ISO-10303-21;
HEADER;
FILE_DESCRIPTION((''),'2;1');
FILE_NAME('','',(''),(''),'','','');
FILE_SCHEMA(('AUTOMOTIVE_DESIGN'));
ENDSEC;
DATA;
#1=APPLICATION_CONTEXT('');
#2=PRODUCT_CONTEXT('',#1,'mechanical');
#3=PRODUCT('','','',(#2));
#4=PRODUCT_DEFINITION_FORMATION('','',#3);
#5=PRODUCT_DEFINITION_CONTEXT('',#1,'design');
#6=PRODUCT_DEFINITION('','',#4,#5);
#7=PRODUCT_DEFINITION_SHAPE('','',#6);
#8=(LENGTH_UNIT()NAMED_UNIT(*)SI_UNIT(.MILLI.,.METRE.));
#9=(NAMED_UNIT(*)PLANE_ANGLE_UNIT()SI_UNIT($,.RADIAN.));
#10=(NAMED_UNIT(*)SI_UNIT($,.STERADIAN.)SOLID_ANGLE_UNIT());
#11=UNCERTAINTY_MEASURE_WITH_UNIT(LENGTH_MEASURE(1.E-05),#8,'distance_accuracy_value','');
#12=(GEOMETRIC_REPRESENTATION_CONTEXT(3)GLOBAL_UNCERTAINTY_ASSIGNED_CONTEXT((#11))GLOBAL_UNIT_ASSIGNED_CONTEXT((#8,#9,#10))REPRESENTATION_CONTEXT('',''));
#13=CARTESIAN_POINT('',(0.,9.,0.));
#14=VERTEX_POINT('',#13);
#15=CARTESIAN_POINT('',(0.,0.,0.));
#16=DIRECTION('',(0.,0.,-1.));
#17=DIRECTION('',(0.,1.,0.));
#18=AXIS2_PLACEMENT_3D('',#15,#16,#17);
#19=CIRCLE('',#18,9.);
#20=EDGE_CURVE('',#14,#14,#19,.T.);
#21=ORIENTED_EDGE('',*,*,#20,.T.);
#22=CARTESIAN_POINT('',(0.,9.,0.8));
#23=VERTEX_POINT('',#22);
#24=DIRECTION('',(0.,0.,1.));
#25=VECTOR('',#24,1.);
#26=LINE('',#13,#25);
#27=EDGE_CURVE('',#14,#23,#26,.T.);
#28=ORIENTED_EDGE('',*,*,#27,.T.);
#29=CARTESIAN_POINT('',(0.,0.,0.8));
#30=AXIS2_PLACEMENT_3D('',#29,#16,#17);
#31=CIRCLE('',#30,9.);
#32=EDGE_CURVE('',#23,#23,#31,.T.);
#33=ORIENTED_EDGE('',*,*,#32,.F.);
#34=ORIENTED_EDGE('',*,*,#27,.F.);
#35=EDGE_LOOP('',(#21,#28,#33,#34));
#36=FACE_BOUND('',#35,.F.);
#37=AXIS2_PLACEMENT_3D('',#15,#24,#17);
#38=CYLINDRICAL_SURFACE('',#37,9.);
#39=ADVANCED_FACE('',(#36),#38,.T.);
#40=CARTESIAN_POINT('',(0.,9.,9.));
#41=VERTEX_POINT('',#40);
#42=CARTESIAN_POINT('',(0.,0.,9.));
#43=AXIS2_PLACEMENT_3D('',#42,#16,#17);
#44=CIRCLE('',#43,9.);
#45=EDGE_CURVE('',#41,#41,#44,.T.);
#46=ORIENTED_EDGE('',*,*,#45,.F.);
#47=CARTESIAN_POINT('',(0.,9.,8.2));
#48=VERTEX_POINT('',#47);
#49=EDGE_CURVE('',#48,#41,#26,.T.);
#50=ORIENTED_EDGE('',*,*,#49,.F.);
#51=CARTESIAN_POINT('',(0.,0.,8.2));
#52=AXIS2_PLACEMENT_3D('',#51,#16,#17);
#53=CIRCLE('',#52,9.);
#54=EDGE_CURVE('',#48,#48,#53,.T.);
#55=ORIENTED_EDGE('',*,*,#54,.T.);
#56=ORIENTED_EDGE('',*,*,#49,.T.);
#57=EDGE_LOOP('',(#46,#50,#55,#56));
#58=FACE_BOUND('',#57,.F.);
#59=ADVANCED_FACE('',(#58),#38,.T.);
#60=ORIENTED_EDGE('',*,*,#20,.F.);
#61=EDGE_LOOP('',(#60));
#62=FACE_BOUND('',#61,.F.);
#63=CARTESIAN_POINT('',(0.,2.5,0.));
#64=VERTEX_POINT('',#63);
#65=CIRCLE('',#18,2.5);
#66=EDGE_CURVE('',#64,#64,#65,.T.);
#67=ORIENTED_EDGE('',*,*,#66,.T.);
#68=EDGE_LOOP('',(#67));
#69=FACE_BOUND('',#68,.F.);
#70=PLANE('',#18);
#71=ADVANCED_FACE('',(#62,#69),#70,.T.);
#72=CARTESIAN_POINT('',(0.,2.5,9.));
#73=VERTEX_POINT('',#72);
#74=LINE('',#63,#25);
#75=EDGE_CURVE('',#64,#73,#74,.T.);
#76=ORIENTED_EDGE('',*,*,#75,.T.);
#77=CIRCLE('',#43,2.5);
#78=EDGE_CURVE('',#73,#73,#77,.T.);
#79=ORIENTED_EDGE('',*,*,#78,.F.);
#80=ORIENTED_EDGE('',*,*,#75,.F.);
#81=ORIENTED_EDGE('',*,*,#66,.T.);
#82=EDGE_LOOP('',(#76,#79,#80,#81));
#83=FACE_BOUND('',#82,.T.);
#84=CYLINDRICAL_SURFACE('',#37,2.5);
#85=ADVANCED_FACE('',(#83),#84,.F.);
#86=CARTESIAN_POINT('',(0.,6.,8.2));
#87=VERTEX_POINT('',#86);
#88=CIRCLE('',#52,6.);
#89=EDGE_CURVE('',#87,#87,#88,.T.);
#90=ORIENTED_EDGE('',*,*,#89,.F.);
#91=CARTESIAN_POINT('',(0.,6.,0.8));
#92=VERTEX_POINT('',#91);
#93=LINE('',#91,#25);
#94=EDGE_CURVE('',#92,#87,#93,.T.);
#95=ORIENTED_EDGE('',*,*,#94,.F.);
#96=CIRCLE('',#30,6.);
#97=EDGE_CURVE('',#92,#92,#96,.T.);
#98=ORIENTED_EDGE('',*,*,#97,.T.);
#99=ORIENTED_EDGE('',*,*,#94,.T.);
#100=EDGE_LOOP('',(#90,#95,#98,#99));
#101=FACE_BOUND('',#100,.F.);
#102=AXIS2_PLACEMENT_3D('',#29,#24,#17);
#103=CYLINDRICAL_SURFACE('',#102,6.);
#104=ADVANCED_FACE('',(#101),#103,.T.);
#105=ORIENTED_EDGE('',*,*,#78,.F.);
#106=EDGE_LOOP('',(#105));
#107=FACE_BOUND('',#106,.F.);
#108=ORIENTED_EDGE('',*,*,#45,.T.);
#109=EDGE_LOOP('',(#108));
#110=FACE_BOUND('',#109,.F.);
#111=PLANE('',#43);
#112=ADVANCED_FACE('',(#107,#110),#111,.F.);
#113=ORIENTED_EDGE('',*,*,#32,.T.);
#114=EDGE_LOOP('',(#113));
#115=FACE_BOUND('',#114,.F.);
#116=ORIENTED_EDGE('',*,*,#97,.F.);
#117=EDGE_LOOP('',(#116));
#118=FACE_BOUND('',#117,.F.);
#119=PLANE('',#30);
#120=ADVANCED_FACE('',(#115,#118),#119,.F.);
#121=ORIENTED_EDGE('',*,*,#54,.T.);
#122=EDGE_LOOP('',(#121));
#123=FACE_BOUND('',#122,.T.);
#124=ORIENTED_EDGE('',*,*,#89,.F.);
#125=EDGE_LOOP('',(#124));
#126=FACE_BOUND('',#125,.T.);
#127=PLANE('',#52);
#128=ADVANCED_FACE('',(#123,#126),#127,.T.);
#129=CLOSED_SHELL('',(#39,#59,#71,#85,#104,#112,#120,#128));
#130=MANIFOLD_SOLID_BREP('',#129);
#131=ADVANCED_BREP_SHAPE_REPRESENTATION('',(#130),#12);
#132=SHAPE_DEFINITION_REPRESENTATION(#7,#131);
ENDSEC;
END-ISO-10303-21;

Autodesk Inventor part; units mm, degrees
ref_plane "YZ Plane" through (0, 0, 0) normal (1, 0, 0) x (0, 1, 0)
ref_plane "XZ Plane" through (0, 0, 0) normal (0, 1, 0) x (-1, 0, 0)
ref_plane "XY Plane" through (0, 0, 0) normal (0, 0, 1) x (1, 0, 0)
sketch "Sketch1" plane through (0, 0, 0) normal (1, 0, 0) x (0, 1, 0)
  line L0 (0, 0) -> (9, 0)
  line L1 (9, 0) -> (9, 9)
  line L2 (9, 9) -> (0, 9)
  line L3 (0, 9) -> (0, 0)
  line L4 (9, 8.2) -> (2.5, 8.2)
  line L5 (9, 0.8) -> (2.5, 0.8)
  line L6 (6, 0.8) -> (6, 8.2)
  line L7 (2.5, 0) -> (2.5, 9)
  dimension "d0" = 9
  dimension "d1" = 9
  dimension "d2" = 7.4
  dimension "d3" = 0.8
  dimension "d4" = 2.5
  dimension "d5" = 6
revolve "Revolution1" add sketch "Sketch1" angle 360 about axis through (0, 0, 9) along (0, 0, -1) contours L7 L5 L1 L0 | L7 L4 L6 L5 | L2 L1 L4 L7
properties part number "belt_gear_2"
